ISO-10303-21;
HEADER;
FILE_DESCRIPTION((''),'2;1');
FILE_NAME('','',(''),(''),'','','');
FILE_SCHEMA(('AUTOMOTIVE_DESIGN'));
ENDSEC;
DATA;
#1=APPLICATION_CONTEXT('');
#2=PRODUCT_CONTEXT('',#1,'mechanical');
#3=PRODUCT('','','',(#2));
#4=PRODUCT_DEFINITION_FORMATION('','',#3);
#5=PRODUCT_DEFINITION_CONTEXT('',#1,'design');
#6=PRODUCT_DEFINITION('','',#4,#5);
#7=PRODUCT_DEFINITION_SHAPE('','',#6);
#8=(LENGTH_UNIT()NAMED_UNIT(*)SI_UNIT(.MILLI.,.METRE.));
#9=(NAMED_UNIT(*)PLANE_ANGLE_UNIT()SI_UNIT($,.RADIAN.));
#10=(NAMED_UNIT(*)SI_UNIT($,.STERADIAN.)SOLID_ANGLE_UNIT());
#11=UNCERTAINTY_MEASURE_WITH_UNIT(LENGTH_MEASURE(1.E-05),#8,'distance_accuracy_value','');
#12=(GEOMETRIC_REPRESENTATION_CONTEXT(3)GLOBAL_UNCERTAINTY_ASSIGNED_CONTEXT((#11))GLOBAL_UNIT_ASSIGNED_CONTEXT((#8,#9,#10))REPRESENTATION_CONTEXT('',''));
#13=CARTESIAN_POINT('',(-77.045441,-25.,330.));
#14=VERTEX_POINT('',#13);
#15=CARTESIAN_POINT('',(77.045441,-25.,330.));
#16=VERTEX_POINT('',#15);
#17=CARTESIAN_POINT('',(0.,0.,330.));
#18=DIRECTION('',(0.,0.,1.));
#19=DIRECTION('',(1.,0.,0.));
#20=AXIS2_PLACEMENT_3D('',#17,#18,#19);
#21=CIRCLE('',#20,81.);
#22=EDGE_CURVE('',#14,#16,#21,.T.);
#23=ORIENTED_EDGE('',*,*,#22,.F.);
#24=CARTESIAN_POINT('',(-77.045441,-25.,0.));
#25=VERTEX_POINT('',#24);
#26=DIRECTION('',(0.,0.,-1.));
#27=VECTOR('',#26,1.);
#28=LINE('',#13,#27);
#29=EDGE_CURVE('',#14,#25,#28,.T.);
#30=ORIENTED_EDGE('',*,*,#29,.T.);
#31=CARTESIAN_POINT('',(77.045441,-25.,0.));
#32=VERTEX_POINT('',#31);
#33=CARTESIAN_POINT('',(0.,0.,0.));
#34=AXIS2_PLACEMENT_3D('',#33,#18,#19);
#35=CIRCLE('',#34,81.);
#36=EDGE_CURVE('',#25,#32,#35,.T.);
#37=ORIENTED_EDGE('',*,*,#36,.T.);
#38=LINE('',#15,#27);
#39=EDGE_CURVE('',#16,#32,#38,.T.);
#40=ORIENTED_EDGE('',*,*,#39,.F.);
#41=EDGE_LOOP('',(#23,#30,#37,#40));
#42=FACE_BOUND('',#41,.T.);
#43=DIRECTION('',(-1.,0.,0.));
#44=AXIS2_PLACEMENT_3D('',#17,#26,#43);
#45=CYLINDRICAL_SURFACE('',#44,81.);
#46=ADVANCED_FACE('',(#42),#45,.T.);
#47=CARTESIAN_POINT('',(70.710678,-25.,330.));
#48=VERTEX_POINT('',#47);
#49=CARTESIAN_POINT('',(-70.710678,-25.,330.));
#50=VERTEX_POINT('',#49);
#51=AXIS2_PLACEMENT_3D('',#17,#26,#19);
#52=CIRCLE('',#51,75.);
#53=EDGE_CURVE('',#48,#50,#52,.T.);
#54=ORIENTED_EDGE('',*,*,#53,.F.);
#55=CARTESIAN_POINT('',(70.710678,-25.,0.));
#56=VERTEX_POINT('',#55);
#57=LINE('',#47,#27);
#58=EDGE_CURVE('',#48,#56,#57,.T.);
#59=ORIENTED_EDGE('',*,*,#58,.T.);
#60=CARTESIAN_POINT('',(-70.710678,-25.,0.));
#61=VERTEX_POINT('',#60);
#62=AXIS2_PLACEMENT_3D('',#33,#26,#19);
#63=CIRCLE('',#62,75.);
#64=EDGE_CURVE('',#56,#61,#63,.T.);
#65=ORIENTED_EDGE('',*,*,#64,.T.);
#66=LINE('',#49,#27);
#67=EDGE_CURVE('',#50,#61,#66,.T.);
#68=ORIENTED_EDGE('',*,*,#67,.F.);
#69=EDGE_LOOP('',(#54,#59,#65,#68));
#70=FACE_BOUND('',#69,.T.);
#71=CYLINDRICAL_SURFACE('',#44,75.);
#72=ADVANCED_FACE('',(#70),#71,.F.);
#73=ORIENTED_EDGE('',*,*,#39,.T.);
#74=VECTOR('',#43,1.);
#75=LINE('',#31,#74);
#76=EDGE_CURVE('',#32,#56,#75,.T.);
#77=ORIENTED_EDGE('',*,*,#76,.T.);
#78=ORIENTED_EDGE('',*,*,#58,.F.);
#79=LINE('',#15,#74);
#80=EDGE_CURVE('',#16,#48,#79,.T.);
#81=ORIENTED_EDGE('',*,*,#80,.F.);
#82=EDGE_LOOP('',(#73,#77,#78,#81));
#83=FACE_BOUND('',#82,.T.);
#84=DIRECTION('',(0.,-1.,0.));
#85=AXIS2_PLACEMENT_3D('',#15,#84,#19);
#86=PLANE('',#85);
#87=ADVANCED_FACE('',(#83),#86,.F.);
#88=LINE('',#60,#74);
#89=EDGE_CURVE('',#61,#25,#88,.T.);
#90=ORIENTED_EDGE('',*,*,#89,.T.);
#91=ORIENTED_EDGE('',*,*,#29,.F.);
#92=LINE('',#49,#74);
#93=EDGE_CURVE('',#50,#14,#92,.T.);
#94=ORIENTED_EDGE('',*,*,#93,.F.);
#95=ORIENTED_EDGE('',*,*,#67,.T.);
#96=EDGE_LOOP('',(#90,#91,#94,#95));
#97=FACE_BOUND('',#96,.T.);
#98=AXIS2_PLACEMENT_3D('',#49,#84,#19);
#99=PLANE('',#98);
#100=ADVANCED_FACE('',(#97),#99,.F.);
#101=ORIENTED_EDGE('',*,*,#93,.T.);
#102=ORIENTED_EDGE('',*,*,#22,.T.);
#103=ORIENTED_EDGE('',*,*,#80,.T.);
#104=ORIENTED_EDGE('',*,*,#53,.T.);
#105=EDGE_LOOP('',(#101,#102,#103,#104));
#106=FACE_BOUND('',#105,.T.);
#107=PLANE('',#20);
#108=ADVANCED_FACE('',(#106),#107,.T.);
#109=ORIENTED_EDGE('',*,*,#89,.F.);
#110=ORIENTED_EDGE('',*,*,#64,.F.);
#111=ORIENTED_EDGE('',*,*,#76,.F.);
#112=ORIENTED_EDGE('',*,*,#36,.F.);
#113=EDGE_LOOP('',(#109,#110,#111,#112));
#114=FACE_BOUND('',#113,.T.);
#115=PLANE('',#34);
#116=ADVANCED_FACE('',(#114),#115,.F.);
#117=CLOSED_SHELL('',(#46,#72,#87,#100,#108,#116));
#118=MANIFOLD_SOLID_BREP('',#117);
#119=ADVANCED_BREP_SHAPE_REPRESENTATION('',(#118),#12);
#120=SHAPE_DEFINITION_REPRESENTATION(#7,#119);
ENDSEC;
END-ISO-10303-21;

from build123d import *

# Parameters (mm, degrees)
BOSS_EXTRUDE1_DEPTH = 330


with BuildPart() as part:
    # Sketch1 → Boss-Extrude1 (new body)
    with BuildSketch(Plane.XY):
        with BuildLine():
            Line((77.045441137, -25), (70.710678119, -25))
            ThreePointArc((70.710678119, -25), (0, -75), (-70.710678119, -25))
            Line((-70.710678119, -25), (-77.045441137, -25))
            ThreePointArc((-77.045441137, -25), (0, -81), (77.045441137, -25))
        make_face()
    extrude(amount=BOSS_EXTRUDE1_DEPTH)


solid = part.part
